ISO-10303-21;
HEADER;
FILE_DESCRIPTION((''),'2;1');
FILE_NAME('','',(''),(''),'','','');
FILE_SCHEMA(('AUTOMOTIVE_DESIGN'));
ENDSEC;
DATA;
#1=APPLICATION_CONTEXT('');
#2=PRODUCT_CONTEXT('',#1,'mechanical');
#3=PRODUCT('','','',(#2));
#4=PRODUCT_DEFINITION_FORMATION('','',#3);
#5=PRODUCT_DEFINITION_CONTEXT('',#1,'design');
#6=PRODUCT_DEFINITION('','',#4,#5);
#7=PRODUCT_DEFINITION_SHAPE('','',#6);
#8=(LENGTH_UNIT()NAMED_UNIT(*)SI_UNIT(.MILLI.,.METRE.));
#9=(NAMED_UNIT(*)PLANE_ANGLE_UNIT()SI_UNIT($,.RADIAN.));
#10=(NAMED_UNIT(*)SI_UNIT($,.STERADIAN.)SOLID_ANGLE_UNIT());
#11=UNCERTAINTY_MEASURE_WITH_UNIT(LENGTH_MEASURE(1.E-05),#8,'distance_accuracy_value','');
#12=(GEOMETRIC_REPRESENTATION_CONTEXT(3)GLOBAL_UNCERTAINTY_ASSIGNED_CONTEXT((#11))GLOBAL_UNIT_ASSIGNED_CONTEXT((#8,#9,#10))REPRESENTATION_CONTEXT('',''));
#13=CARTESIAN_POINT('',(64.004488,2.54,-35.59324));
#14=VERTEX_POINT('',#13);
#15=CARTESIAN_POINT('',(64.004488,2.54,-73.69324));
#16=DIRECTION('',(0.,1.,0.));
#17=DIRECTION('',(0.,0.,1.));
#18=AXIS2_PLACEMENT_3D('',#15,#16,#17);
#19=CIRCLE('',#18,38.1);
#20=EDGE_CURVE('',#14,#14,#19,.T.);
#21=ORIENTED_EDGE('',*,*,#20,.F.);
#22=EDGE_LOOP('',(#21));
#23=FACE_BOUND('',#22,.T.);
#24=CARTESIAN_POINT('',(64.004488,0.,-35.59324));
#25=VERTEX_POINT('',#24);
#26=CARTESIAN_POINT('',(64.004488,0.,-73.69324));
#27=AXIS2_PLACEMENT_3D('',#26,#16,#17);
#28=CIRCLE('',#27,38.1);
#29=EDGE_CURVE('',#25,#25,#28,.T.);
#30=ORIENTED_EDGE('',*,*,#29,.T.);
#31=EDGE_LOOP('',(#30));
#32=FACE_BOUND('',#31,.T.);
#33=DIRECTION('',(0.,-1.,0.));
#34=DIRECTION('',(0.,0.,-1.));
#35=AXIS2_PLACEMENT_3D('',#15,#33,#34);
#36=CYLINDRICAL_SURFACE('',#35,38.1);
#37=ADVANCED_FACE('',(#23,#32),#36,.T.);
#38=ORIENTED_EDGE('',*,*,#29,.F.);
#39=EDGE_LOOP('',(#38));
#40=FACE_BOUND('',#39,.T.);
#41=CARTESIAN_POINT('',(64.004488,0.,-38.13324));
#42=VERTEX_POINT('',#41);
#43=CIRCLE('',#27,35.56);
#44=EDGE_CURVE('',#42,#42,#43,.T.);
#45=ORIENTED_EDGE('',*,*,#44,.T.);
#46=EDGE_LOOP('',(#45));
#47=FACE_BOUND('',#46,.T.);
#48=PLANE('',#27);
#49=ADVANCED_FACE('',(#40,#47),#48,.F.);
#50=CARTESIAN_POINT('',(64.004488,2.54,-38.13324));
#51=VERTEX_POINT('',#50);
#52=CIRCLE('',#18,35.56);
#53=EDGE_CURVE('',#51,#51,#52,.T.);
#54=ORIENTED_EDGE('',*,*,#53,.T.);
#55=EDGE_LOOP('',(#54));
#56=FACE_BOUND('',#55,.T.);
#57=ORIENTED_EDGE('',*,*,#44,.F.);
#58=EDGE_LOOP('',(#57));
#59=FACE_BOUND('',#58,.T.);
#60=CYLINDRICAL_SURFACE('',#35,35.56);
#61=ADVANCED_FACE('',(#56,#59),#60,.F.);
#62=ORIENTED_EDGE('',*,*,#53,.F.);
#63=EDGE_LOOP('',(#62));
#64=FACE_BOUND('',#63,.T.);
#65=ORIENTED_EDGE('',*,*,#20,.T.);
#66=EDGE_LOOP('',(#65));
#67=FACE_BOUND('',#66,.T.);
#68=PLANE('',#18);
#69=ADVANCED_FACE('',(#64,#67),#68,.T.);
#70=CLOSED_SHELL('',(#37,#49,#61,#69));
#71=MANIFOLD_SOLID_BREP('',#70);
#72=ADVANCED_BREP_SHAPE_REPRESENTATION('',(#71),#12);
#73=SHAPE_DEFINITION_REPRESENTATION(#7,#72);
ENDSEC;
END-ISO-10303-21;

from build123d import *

# Parameters (mm, degrees)
SKETCH3_R           = 38.1
SKETCH3_R_2         = 35.56
BOSS_EXTRUDE5_DEPTH = 2.54


with BuildPart() as part:
    # Sketch3 → Boss-Extrude5 (new body)
    with BuildSketch(Plane(origin=(0, 0, 0), x_dir=(1, 0, 0), z_dir=(0, 1, 0))):
        with Locations(Location((64.004487688, 73.693240411, 0), (0, 0, 270))):  # turned: the seam where the file's is
            Circle(SKETCH3_R)
        with Locations(Location((64.004487688, 73.693240411, 0), (0, 0, 270))):  # turned: the seam where the file's is
            Circle(SKETCH3_R_2, mode=Mode.SUBTRACT)
    extrude(amount=BOSS_EXTRUDE5_DEPTH)


solid = part.part
